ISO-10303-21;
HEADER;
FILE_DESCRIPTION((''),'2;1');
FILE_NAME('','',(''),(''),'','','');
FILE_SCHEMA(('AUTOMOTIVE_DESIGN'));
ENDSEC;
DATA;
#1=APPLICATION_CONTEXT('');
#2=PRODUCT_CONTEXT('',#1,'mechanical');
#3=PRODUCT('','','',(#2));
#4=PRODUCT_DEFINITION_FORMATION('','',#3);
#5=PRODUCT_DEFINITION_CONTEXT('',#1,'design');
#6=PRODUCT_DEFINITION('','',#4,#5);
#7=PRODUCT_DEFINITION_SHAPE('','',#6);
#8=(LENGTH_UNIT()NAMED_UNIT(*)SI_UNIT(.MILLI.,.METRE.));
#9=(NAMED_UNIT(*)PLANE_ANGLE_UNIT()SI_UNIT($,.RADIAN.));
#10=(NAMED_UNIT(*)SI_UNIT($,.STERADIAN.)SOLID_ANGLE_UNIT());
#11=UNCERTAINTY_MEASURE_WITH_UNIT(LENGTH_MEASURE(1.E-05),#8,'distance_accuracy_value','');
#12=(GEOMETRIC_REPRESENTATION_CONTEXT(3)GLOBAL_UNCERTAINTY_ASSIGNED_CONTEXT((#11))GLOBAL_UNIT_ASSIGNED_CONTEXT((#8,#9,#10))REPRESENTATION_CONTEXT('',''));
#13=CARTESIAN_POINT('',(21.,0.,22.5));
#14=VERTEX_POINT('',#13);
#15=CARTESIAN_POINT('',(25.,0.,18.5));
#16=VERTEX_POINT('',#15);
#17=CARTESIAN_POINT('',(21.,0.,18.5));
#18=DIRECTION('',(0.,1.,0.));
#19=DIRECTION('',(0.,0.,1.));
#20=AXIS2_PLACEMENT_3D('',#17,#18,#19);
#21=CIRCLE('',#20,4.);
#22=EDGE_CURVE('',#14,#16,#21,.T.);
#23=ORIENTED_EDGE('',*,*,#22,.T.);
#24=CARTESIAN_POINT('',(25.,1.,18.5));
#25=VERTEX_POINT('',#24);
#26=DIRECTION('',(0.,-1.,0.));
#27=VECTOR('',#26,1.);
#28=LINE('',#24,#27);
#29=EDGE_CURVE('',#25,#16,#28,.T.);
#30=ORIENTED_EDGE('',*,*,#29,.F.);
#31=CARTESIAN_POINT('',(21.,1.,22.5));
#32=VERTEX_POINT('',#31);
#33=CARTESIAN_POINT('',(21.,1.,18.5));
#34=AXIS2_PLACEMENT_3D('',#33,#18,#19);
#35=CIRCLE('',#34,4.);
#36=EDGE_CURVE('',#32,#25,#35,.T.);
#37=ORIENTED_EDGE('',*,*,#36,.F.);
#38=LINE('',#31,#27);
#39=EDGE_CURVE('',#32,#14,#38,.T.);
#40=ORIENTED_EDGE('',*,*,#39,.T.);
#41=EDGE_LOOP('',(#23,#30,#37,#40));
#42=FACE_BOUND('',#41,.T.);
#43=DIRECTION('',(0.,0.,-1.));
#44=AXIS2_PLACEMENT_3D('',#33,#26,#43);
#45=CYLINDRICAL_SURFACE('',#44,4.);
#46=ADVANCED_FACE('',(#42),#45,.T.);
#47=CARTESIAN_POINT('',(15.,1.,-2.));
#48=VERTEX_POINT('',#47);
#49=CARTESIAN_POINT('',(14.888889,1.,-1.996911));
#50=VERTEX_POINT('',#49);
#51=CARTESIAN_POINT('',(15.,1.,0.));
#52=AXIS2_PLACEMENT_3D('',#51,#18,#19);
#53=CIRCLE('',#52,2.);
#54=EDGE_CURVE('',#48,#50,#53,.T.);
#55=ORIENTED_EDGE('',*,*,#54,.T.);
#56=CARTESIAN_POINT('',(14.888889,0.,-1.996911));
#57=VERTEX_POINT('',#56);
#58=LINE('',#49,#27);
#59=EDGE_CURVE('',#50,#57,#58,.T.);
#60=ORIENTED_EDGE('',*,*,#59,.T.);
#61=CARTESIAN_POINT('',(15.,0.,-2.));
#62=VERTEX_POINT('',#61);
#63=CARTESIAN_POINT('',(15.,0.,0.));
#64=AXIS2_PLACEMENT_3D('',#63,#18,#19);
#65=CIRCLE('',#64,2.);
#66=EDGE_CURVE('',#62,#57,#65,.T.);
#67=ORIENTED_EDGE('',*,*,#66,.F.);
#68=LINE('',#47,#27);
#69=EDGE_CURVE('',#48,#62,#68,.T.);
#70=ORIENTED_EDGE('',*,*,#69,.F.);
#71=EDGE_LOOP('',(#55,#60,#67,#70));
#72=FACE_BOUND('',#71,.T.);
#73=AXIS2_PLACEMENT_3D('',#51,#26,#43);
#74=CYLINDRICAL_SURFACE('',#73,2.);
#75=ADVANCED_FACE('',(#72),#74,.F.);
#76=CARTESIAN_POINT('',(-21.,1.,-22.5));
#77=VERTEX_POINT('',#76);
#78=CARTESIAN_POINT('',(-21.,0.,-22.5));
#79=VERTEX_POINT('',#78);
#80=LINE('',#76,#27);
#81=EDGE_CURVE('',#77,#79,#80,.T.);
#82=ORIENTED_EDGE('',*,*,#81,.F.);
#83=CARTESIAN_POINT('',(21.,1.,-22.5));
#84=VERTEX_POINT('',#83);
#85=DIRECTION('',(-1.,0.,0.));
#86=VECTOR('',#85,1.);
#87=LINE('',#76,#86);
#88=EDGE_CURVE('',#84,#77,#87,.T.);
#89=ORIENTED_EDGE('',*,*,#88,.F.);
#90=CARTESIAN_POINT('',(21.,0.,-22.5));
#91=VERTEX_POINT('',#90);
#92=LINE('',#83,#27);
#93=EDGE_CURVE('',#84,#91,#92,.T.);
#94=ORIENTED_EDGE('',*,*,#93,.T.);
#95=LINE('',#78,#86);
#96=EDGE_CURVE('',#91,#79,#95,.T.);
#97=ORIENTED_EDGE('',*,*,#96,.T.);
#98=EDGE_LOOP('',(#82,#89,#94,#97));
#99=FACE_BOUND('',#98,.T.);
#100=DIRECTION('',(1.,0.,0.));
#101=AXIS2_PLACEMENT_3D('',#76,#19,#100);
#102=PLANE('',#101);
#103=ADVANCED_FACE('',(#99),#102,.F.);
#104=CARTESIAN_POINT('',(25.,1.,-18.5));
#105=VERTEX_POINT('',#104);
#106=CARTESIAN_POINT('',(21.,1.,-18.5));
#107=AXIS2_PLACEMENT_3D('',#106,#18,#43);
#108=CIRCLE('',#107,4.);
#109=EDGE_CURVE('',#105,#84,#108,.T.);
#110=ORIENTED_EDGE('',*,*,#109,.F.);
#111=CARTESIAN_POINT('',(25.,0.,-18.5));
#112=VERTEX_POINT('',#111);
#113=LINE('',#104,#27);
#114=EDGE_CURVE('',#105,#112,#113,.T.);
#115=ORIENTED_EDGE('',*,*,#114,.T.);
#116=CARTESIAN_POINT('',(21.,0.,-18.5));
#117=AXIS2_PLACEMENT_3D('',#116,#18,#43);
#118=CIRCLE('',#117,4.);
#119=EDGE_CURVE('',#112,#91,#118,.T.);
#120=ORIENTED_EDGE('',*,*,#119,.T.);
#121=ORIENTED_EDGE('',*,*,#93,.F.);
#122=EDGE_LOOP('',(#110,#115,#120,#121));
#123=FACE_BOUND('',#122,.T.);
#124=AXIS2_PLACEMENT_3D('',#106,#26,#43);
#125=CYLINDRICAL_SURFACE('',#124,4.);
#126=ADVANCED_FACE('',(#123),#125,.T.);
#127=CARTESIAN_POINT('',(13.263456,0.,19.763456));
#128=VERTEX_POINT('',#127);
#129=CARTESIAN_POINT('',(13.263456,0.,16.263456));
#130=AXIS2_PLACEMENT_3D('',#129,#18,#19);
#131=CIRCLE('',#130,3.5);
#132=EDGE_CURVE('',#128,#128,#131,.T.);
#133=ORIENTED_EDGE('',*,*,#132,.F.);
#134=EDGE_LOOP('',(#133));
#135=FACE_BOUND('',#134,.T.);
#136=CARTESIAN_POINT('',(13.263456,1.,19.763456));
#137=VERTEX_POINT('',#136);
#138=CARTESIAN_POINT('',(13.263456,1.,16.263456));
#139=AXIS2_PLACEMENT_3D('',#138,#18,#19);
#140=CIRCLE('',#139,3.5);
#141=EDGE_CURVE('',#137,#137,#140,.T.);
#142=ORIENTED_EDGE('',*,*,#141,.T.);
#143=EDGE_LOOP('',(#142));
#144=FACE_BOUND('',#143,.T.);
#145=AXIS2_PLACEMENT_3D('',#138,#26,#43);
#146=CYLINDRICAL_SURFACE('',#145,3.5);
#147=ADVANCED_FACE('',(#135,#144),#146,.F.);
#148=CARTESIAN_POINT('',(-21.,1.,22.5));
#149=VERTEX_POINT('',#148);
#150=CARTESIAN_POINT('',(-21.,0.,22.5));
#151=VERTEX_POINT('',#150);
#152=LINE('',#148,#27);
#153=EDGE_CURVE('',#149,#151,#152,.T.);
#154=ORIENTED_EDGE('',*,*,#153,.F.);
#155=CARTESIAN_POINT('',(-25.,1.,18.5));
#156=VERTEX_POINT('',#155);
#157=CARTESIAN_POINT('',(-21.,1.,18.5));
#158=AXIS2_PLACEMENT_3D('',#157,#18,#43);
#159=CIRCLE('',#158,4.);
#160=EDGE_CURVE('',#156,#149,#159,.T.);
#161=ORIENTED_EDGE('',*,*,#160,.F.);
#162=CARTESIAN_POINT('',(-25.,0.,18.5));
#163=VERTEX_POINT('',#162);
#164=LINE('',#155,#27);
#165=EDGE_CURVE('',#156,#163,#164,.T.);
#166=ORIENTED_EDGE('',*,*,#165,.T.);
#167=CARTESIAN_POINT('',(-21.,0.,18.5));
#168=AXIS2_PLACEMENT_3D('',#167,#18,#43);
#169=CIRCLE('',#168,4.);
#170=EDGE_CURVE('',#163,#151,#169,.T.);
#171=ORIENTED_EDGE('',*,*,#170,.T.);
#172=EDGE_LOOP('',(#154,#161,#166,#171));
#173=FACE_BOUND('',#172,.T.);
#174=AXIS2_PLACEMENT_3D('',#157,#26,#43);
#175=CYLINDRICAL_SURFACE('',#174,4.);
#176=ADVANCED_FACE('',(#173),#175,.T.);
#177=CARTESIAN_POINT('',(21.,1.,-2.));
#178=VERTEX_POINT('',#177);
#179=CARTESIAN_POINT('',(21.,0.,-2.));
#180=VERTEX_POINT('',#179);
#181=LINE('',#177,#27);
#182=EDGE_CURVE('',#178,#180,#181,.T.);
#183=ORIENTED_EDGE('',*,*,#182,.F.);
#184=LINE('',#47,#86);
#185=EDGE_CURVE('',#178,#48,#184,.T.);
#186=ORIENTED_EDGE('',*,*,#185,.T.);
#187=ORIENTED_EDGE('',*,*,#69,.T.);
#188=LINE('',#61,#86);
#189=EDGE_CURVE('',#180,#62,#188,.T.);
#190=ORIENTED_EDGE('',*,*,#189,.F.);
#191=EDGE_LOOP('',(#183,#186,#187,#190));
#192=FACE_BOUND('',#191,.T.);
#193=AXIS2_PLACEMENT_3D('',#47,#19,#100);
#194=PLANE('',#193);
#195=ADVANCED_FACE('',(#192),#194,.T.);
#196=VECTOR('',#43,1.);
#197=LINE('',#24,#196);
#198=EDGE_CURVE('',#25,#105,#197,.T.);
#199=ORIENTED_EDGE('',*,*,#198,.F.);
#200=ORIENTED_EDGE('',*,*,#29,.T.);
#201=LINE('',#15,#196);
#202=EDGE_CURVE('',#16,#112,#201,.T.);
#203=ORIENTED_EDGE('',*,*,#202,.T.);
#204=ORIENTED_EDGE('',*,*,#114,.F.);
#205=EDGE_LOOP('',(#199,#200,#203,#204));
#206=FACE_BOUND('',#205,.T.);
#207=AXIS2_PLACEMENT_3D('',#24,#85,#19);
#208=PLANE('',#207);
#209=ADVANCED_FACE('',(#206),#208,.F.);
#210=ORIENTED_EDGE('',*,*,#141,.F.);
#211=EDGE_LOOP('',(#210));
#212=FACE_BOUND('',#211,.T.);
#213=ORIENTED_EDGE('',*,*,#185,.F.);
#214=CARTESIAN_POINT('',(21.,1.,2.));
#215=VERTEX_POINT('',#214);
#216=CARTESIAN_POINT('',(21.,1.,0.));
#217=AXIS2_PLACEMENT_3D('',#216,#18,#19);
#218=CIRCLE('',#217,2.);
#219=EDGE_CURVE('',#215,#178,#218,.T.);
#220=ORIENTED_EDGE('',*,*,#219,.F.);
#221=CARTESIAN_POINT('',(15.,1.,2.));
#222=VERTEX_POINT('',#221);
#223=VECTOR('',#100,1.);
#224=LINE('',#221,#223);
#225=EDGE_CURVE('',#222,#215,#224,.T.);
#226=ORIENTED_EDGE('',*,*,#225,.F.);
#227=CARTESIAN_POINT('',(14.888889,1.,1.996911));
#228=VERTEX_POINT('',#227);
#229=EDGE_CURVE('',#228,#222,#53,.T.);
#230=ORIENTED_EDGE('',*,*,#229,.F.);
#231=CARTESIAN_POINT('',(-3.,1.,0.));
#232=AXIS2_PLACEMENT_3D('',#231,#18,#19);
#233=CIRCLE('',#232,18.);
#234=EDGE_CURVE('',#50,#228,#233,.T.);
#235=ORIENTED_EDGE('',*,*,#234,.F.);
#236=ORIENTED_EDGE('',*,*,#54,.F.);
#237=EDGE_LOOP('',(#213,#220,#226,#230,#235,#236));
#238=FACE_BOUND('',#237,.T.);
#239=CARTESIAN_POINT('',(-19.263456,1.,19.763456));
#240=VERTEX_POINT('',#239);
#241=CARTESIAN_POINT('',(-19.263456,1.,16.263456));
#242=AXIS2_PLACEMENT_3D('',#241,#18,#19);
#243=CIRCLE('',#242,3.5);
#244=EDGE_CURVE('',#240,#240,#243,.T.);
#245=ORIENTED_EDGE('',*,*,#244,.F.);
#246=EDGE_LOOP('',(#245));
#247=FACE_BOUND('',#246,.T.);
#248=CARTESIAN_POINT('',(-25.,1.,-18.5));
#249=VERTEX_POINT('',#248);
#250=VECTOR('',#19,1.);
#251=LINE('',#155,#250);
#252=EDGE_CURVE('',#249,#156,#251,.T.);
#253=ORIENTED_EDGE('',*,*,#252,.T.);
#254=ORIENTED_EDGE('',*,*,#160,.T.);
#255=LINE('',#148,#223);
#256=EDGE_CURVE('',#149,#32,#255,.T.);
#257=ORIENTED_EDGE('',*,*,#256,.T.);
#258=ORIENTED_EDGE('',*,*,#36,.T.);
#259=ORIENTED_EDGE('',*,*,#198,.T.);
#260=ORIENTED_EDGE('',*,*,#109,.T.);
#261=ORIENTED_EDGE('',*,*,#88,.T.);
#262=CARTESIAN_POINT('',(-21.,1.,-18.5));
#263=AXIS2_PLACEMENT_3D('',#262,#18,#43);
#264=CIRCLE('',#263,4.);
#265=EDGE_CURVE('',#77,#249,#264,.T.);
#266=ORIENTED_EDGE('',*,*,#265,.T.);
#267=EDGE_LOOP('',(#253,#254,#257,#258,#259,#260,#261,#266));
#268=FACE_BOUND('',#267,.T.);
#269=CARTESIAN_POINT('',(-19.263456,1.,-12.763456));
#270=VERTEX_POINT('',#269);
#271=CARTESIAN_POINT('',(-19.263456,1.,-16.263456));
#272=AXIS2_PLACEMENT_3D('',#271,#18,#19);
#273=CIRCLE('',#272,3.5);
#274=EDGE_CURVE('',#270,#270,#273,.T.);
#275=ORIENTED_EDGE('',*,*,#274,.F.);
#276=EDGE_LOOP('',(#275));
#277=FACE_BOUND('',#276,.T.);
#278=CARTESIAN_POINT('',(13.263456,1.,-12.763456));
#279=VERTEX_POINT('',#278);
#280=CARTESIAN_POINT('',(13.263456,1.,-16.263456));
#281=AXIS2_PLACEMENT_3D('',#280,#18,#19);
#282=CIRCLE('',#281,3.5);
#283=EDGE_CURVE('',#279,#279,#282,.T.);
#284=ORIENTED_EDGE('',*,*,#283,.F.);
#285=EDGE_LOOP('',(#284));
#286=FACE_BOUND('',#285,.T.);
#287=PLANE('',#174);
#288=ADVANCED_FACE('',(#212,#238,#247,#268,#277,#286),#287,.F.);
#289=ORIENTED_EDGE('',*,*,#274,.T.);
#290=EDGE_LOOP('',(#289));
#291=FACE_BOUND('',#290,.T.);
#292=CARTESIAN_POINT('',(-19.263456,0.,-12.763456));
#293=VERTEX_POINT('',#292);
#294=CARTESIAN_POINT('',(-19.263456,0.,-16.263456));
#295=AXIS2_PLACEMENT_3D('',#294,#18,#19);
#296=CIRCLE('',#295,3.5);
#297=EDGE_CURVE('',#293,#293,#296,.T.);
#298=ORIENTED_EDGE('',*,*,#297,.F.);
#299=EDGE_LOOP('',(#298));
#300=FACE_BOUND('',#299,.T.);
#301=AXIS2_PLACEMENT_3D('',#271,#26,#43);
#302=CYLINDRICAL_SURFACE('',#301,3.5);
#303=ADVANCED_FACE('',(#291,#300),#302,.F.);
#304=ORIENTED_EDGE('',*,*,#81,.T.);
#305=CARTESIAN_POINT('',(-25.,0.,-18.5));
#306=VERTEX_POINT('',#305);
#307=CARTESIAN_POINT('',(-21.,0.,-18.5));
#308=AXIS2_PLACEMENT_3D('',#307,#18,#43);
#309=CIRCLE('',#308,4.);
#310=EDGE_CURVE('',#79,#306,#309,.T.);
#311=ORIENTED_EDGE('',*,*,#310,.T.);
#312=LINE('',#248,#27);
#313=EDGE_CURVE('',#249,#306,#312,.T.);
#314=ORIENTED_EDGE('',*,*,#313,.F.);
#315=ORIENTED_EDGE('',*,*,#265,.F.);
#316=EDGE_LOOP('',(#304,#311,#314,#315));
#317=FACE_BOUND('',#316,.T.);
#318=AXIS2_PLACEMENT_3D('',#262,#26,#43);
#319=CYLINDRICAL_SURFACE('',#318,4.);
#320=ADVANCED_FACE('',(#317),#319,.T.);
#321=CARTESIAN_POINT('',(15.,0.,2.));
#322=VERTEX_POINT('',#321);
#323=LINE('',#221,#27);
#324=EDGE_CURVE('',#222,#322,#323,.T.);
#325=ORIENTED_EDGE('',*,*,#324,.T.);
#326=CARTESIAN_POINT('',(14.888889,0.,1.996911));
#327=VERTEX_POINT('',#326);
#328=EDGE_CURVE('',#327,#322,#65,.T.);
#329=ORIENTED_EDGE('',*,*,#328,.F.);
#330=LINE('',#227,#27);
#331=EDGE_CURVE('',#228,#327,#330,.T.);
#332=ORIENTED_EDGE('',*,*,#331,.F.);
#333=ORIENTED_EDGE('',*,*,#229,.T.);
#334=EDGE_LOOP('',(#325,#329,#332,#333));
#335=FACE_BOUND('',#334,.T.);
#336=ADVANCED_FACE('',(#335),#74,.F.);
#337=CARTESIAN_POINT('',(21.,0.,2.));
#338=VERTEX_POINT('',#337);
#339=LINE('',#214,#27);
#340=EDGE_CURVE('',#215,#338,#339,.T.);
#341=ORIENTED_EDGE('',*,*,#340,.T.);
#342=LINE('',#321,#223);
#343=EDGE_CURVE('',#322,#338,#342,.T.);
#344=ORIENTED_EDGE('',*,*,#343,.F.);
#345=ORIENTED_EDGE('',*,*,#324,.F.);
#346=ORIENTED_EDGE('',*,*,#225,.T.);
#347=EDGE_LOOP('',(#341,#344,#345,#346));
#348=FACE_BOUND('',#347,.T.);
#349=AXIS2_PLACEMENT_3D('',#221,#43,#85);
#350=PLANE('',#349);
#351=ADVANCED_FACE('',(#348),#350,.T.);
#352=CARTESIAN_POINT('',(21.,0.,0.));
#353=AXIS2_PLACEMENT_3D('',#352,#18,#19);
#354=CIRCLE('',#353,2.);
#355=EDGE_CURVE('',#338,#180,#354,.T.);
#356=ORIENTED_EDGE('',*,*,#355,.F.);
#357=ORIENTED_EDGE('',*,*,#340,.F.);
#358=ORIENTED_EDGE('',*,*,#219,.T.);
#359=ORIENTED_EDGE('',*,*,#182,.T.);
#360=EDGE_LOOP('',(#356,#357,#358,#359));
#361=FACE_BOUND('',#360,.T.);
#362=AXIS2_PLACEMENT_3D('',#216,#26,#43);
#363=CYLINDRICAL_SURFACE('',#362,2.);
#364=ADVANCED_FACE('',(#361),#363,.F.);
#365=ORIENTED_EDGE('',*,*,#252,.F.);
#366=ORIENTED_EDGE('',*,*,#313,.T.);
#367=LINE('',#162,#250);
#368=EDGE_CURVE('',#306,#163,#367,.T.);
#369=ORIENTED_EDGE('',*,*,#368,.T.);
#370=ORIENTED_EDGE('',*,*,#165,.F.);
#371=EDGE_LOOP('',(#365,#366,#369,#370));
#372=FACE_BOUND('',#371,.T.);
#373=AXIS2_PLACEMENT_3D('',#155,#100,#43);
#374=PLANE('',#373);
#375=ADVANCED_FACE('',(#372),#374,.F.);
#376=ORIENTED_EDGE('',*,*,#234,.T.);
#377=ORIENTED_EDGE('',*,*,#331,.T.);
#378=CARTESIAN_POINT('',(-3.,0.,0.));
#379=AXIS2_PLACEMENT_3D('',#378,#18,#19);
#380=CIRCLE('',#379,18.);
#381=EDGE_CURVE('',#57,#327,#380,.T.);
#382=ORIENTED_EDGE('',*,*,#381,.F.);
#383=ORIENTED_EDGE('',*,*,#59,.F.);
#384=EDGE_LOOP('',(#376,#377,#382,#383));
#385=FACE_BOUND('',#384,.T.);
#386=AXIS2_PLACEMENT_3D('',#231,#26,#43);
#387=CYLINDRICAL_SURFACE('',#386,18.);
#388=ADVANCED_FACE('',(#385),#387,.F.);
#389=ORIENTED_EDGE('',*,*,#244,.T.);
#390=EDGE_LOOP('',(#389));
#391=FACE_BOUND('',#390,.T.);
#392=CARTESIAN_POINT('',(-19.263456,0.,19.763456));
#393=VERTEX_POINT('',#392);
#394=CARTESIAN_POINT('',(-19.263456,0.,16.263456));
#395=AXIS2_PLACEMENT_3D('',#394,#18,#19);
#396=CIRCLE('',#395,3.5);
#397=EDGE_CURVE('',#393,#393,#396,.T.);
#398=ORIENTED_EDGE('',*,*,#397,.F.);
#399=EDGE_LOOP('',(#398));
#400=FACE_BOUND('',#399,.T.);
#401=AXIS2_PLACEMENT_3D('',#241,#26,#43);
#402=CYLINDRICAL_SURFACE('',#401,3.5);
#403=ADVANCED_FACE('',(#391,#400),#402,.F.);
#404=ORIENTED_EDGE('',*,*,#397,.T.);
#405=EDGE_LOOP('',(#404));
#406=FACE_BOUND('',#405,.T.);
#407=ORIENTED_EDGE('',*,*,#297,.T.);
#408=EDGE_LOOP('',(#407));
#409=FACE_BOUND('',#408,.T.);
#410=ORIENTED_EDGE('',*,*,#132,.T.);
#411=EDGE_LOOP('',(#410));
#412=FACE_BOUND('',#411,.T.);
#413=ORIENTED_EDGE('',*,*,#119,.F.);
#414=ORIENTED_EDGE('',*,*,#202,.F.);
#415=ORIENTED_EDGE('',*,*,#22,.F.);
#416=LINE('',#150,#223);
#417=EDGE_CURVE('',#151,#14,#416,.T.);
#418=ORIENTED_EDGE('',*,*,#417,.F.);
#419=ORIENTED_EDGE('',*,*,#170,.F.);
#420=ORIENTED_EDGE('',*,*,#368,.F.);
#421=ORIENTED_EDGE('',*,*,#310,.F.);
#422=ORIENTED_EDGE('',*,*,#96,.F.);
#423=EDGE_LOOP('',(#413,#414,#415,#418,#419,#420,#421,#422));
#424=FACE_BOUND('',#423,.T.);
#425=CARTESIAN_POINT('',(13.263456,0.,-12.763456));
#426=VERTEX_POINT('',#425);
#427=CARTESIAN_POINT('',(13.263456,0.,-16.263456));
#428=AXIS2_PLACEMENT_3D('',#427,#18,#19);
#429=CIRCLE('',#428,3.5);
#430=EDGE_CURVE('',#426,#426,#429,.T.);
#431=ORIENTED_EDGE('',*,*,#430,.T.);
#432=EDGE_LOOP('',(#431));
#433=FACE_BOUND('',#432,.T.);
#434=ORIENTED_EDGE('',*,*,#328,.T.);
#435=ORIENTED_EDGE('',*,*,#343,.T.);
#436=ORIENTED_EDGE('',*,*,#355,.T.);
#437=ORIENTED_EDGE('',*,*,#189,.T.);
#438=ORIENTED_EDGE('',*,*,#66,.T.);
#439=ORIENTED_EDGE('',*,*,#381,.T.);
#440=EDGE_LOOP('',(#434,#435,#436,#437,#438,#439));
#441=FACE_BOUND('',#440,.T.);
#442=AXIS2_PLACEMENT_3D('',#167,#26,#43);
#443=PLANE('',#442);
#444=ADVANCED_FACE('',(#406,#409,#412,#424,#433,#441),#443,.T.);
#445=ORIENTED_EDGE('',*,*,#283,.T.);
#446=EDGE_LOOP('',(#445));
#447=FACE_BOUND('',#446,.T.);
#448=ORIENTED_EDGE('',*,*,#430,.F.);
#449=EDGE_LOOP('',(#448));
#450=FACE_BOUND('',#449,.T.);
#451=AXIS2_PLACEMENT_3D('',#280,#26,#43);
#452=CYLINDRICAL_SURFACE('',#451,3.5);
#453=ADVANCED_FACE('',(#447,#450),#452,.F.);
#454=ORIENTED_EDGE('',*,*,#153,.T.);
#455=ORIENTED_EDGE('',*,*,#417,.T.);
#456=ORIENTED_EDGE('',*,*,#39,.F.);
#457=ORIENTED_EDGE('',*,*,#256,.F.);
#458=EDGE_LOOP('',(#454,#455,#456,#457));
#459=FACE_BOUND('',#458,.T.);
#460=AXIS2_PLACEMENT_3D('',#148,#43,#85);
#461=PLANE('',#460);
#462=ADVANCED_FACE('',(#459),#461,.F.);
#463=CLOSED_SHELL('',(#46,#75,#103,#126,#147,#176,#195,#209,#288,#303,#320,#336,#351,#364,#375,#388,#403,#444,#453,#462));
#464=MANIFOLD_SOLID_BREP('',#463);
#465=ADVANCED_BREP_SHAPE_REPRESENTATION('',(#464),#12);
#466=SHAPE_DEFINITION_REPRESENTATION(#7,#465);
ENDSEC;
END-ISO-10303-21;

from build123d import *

# Parameters (mm, degrees)
SKETCH1_R           = 3.5
BOSS_EXTRUDE1_DEPTH = 1


with BuildPart() as part:
    # Sketch1 → Boss-Extrude1 (new body)
    with BuildSketch(Plane(origin=(0, 0, 0), x_dir=(1, 0, 0), z_dir=(0, 1, 0))):
        with BuildLine():
            Line((-21, -22.5), (21, -22.5))
            ThreePointArc((21, -22.5), (23.828427125, -21.328427125), (25, -18.5))
            Line((25, -18.5), (25, 18.5))
            ThreePointArc((25, 18.5), (23.828427125, 21.328427125), (21, 22.5))
            Line((21, 22.5), (-21, 22.5))
            ThreePointArc((-21, 22.5), (-23.828427125, 21.328427125), (-25, 18.5))
            Line((-25, 18.5), (-25, -18.5))
            ThreePointArc((-25, -18.5), (-23.828427125, -21.328427125), (-21, -22.5))
        make_face()
        with Locations((-19.263455967, 16.263455967)):
            Circle(SKETCH1_R, mode=Mode.SUBTRACT)
        with Locations((13.263455967, 16.263455967)):
            Circle(SKETCH1_R, mode=Mode.SUBTRACT)
        with Locations((13.263455967, -16.263455967)):
            Circle(SKETCH1_R, mode=Mode.SUBTRACT)
        with Locations((-19.263455967, -16.263455967)):
            Circle(SKETCH1_R, mode=Mode.SUBTRACT)
        with BuildLine():
            Line((15, 2), (21, 2))
            ThreePointArc((21, 2), (23, 0), (21, -2))
            Line((21, -2), (15, -2))
            ThreePointArc((15, -2), (14.944422982, -1.99922765), (14.888888889, -1.996911195))
            ThreePointArc((14.888888889, -1.996911195), (-21, 0), (14.888888889, 1.996911195))
            ThreePointArc((14.888888889, 1.996911195), (14.944422982, 1.99922765), (15, 2))
        make_face(mode=Mode.SUBTRACT)
    extrude(amount=BOSS_EXTRUDE1_DEPTH)


solid = part.part
